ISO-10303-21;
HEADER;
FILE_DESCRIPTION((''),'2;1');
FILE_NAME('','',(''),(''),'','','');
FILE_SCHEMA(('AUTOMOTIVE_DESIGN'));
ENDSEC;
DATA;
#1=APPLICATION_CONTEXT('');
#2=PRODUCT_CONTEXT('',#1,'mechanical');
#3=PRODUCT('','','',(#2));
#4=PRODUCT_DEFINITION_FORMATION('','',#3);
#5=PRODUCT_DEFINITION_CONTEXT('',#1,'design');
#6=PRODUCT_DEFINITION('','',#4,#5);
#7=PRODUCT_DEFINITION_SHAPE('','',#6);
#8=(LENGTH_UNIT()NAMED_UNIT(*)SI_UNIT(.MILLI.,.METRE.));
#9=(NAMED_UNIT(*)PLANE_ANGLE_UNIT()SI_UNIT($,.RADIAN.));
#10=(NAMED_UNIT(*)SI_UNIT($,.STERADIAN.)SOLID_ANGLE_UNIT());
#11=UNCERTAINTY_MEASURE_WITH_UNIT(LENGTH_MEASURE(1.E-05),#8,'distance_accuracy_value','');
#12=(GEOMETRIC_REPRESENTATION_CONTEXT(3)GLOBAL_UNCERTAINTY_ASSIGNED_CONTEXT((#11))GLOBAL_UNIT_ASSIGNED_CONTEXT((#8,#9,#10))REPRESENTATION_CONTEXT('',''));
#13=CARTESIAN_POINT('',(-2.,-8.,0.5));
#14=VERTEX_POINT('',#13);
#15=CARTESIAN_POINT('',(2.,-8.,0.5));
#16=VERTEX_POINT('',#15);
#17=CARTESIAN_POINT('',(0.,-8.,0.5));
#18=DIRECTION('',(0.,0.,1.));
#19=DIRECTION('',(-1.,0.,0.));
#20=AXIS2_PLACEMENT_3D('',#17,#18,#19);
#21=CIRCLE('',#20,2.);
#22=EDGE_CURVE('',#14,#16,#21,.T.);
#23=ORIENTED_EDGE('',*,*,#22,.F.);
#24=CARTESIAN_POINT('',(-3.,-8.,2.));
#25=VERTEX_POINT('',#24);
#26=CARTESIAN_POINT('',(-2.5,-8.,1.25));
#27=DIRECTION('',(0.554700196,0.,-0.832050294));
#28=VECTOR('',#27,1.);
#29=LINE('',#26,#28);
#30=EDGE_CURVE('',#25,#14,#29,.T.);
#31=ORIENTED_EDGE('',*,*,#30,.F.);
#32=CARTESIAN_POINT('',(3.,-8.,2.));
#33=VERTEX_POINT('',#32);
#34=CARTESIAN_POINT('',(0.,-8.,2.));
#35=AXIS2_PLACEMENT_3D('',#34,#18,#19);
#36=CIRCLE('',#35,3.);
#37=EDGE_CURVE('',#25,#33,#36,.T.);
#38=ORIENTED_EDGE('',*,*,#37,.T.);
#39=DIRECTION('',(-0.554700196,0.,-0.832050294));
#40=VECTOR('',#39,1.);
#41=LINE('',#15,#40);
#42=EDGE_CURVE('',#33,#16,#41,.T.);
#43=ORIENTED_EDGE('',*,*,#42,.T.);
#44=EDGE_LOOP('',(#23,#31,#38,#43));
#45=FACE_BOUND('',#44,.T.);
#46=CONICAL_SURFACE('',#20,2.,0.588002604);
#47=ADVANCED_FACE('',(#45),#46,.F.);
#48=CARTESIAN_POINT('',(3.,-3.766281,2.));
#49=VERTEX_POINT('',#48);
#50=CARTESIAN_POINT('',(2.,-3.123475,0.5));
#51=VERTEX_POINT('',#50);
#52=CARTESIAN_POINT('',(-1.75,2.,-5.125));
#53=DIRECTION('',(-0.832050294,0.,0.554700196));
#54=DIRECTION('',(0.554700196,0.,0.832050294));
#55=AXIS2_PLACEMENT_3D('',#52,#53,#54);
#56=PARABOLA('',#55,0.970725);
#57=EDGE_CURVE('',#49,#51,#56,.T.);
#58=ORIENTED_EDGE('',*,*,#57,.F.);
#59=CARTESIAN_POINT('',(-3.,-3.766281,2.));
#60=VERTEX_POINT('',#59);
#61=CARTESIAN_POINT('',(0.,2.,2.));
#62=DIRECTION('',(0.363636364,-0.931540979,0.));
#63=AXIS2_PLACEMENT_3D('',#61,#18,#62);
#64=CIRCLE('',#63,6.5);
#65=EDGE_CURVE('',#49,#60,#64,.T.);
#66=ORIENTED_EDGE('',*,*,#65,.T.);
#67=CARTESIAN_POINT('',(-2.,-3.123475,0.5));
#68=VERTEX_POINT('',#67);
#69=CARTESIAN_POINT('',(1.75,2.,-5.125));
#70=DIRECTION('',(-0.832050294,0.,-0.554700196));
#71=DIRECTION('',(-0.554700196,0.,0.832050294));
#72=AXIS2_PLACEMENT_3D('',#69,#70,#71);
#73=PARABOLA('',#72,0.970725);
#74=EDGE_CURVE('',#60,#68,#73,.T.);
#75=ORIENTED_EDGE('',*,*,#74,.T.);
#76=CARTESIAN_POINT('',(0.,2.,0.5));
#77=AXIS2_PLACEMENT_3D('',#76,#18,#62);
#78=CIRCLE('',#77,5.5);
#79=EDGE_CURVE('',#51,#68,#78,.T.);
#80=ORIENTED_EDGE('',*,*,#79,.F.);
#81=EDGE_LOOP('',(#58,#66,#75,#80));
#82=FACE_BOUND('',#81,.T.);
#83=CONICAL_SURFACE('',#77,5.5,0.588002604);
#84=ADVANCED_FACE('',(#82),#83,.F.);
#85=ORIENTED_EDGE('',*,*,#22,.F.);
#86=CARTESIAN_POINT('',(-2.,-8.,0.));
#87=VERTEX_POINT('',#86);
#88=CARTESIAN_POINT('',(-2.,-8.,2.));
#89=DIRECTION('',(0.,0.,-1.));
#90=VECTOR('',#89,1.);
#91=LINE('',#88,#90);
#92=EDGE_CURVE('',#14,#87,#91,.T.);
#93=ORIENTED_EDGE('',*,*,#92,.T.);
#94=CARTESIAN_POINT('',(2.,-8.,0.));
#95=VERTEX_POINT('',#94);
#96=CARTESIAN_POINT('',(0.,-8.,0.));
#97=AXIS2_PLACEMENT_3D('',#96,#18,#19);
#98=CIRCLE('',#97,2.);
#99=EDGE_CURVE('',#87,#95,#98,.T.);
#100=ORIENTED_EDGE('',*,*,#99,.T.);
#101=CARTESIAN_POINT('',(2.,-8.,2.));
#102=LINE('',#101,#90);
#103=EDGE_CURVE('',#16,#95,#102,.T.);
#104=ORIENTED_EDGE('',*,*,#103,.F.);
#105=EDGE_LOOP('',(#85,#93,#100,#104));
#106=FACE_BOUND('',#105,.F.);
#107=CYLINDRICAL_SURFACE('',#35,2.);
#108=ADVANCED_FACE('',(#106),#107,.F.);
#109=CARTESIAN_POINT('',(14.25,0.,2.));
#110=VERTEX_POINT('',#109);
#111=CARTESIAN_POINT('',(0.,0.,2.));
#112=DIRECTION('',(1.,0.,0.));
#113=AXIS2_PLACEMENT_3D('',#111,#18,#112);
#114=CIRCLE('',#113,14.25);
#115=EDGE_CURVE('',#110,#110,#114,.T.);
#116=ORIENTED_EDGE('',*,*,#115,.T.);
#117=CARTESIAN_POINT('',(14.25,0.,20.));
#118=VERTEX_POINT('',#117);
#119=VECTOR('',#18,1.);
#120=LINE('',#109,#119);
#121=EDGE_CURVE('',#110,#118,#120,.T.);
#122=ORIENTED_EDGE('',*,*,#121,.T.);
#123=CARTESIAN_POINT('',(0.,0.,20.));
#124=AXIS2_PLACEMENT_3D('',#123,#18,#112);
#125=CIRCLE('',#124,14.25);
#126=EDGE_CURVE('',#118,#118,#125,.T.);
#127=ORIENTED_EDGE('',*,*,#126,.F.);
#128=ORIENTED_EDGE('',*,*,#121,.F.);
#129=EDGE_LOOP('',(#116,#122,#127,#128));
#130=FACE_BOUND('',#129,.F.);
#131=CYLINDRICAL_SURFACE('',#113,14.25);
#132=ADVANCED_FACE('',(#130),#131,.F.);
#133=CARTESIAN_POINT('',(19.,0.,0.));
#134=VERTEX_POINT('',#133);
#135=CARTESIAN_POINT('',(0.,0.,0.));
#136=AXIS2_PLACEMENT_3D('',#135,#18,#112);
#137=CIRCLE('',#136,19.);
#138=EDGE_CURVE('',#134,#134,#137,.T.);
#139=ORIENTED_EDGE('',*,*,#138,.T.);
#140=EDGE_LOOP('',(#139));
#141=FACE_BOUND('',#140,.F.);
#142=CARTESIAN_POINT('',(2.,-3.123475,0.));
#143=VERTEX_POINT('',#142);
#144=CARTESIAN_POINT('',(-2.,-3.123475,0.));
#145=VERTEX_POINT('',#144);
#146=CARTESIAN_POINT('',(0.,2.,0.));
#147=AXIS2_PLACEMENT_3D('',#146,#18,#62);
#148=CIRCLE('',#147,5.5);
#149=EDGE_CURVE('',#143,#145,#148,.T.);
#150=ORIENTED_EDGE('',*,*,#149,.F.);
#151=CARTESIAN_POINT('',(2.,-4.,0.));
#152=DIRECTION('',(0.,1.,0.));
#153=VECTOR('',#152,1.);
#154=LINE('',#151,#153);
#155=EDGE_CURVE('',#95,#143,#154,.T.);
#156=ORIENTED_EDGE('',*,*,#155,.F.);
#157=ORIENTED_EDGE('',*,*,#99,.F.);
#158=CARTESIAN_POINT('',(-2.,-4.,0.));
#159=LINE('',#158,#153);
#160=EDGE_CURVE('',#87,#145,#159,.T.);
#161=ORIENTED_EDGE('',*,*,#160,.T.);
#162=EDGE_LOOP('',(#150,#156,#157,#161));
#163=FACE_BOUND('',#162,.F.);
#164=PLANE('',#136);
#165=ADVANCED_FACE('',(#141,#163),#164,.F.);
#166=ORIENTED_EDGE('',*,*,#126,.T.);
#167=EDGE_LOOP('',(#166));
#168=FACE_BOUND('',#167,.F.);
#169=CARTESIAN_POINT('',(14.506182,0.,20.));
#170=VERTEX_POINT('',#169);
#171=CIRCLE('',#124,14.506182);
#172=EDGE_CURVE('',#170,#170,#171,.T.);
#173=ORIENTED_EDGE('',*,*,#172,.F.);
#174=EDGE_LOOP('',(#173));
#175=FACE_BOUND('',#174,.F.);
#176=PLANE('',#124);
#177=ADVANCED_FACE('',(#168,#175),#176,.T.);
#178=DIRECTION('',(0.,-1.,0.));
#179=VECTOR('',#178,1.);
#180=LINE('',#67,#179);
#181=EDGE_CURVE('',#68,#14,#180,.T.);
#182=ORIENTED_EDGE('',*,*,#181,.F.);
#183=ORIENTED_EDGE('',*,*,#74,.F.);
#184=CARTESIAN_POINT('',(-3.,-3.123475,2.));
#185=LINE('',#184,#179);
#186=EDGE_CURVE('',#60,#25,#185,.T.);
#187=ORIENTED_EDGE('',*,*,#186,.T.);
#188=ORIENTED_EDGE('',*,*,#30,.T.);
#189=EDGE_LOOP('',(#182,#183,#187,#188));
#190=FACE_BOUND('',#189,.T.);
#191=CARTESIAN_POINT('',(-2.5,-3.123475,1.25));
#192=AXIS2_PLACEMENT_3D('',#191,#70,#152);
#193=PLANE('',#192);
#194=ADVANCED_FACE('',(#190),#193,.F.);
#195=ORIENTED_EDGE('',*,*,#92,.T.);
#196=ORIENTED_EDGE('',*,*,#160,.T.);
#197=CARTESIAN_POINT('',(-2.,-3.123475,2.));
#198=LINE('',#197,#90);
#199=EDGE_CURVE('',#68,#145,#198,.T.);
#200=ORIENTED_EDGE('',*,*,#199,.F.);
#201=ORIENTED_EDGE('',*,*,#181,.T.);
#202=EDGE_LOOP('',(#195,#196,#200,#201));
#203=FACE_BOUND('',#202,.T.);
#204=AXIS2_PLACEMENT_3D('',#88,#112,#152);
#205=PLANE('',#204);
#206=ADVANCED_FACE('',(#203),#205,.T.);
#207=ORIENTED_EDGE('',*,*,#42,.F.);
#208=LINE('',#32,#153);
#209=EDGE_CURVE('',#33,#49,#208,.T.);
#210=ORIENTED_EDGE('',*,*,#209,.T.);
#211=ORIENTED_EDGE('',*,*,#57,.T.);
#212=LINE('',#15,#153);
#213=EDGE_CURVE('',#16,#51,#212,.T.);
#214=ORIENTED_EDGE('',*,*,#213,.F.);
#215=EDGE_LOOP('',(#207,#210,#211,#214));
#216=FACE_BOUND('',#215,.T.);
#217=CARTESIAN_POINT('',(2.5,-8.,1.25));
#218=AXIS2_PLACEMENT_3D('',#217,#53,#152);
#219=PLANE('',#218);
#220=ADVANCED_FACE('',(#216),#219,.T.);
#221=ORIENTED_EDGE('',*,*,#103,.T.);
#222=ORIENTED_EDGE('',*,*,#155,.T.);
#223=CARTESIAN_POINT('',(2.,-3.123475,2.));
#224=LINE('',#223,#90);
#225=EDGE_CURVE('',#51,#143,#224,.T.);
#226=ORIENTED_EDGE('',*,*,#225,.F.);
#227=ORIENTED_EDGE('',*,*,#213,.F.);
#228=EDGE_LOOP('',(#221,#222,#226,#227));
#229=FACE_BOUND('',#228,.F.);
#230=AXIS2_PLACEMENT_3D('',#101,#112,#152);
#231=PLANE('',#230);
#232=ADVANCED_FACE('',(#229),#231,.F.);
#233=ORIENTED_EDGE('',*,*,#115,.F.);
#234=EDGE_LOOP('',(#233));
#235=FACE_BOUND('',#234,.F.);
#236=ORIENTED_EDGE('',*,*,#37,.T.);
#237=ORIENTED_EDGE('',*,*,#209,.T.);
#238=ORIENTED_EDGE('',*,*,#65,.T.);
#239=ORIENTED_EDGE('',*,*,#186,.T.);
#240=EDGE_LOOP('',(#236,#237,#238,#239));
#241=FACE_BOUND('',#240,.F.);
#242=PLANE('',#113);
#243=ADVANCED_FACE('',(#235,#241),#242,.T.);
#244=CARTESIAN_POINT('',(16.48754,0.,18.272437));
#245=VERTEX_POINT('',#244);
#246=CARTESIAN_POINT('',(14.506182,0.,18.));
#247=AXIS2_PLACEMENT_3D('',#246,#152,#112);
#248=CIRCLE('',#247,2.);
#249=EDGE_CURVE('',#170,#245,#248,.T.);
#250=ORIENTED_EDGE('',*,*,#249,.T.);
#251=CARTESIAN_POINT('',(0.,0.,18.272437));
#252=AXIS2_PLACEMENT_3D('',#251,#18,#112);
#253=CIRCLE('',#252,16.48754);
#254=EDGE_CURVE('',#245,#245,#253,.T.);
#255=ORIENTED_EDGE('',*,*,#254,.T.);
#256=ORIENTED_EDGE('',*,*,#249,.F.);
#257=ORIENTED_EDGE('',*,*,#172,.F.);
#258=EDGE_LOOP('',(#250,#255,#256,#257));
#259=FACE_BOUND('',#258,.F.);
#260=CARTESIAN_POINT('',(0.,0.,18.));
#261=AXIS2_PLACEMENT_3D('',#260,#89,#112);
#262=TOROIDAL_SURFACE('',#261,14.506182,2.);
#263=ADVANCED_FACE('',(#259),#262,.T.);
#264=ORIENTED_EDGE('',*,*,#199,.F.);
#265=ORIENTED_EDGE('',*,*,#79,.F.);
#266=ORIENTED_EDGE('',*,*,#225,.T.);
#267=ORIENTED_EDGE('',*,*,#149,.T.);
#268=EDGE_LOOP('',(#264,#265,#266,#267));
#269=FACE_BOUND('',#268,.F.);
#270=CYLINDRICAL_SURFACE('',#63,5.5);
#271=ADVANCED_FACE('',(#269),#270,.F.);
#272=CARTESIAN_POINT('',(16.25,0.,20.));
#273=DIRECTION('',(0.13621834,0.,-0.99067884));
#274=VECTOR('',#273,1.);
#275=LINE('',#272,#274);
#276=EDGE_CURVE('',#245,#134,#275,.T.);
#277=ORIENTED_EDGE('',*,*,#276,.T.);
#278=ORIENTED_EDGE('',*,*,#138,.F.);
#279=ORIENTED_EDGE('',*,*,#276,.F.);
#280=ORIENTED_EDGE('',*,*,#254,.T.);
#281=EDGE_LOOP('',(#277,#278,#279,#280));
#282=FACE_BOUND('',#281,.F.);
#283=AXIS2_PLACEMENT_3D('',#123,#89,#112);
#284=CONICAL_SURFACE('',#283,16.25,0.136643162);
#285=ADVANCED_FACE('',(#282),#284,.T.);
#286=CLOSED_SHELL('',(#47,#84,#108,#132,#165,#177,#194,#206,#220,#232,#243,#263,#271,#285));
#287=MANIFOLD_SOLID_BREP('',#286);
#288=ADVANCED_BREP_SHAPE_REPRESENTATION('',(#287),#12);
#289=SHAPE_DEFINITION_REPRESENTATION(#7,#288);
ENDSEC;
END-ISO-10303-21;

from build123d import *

# Parameters (mm, degrees)
SKETCH001_R   = 5.5
POCKET_DEPTH  = 2.001
FILLET_R      = 2
CHAMFER_SIZE2 = 1.5
CHAMFER_SIZE  = 1


with BuildPart() as part:
    # Sketch → Revolution (revolve)
    with BuildSketch(Plane.XZ):
        Polygon((0, 0), (0, 2), (14.25, 2), (14.25, 20), (16.25, 20), (19, 0), align=None)
    revolve(axis=Axis((0, 0, 0), (0, 0, 1)))

    # Sketch001 (on Face1 of Revolution) → Pocket (cut, through all)
    with BuildSketch(Plane(origin=(0, 0, 2), x_dir=(-1, 0, 0), z_dir=(0, 0, 1))):
        with Locations((0, -2)):
            Circle(SKETCH001_R)
        with BuildLine():
            ThreePointArc((2, 8), (0, 10), (-2, 8))
            Line((-2, 8), (-2, -2))
            ThreePointArc((-2, -2), (0, -4), (2, -2))
            Line((2, 8), (2, -2))
        make_face()
    extrude(amount=-POCKET_DEPTH, mode=Mode.SUBTRACT)

    # Fillet
    fillet_edges = [part.edges().sort_by_distance(p)[0] for p in [
        (-16.25, 0, 20),
    ]]
    fillet(fillet_edges, radius=FILLET_R)

    # Chamfer
    chamfer_edges = [part.edges().sort_by_distance(p)[0] for p in [
        (-4.541476, -1.102418, 2),
        (3.102418, 6.541476, 2),
        (2, -5.561738, 2),
        (0, -10, 2),
        (-2, -5.561738, 2),
    ]]
    chamfer_side = part.faces().sort_by_distance((-13.846949, 0, 2))[0]
    chamfer(chamfer_edges, length=CHAMFER_SIZE, length2=CHAMFER_SIZE2, reference=chamfer_side)


solid = part.part
